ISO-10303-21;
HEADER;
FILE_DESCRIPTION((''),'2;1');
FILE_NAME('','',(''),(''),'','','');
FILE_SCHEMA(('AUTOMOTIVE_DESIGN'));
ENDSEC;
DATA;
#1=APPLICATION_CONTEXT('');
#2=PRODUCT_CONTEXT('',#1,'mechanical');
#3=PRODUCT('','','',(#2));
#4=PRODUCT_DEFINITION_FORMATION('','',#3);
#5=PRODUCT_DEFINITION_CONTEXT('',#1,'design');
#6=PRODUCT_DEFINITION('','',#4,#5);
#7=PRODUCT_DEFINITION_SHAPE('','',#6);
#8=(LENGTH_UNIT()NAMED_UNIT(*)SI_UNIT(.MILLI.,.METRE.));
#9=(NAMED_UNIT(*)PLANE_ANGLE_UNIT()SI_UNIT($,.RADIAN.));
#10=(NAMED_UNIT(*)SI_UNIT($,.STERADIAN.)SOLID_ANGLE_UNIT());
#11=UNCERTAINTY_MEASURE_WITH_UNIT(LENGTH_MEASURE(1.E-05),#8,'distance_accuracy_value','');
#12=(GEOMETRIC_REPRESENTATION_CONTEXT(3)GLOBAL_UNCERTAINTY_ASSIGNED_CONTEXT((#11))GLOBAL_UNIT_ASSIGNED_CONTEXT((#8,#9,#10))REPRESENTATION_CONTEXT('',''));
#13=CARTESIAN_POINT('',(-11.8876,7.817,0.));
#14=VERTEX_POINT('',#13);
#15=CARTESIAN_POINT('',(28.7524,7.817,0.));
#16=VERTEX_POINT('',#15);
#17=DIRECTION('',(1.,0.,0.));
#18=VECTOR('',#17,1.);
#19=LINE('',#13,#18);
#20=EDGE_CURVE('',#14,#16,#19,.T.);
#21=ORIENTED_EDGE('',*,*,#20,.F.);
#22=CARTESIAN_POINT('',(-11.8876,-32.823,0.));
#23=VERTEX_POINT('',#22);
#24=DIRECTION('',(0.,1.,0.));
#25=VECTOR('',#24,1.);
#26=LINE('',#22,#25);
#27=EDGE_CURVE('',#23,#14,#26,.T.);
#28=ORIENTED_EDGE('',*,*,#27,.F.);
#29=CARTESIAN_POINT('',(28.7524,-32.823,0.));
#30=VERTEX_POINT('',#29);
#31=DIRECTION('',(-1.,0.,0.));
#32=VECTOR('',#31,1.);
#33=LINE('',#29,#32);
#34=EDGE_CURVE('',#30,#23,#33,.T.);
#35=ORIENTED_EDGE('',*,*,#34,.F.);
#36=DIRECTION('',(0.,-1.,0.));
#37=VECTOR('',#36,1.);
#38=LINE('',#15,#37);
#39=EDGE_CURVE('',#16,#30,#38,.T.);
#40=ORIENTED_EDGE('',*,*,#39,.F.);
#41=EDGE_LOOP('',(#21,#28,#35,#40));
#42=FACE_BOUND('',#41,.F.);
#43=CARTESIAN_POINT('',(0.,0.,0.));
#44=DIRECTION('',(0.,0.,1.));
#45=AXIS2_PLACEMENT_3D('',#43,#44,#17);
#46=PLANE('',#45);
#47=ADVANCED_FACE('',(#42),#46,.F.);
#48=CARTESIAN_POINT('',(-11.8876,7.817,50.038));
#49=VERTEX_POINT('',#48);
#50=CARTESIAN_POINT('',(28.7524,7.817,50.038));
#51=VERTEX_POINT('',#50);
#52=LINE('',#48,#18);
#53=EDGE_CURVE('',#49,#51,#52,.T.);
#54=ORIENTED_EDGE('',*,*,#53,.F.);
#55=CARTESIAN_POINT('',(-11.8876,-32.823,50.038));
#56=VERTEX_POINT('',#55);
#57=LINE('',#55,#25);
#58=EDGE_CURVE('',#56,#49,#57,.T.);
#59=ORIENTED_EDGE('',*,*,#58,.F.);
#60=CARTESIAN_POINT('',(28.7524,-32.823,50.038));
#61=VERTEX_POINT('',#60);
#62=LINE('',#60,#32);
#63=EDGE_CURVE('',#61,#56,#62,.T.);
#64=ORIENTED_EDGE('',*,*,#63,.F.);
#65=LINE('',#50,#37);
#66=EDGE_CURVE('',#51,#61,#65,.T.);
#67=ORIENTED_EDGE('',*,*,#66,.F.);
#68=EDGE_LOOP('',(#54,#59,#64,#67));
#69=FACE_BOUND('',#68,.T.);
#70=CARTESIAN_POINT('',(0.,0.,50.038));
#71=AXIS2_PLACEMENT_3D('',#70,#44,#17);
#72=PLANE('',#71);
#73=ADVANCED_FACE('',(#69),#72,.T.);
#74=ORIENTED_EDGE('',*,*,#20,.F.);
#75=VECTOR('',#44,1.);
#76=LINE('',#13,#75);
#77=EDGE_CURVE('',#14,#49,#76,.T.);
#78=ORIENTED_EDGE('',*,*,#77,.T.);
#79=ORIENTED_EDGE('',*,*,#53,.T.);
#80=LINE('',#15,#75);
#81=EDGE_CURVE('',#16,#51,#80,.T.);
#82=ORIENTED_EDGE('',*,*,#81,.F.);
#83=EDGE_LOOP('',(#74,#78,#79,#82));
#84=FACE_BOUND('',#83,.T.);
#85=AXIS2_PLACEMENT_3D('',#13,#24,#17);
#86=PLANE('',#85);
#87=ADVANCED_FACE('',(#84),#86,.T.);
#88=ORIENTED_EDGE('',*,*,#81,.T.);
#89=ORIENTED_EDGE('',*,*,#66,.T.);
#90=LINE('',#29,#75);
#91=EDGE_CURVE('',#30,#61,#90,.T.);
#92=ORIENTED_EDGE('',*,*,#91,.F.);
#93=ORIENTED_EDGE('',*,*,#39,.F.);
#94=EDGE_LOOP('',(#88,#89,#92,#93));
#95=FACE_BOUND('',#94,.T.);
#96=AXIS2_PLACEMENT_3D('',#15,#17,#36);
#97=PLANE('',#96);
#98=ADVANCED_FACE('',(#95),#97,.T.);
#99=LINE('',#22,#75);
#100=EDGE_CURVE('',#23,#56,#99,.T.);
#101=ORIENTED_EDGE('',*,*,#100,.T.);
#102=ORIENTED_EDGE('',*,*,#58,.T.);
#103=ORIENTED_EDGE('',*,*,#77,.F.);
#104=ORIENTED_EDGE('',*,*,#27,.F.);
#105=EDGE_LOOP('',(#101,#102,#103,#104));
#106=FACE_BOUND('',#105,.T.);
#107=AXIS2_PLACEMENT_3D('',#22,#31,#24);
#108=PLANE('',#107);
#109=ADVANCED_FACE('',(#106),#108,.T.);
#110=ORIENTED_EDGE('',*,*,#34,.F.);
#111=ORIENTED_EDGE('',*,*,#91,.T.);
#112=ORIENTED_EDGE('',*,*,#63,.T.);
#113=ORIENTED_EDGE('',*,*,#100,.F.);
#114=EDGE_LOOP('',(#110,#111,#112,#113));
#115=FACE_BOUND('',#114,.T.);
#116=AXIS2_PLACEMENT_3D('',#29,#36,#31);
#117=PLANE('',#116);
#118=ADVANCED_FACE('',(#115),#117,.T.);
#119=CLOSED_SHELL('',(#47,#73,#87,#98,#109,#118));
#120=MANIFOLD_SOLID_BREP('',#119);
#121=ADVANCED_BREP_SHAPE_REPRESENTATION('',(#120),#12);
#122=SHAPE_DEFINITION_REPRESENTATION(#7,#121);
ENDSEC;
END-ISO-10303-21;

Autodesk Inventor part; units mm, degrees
ref_plane "YZ Plane" through (0, 0, 0) normal (1, 0, 0) x (0, 1, 0)
ref_plane "XZ Plane" through (0, 0, 0) normal (0, 1, 0) x (-1, 0, 0)
ref_plane "XY Plane" through (0, 0, 0) normal (0, 0, 1) x (1, 0, 0)
sketch "Sketch1" plane through (0, 0, 0) normal (0, 0, 1) x (1, 0, 0)
  line L0 (-11.8876, 7.817) -> (28.7524, 7.817)
  line L1 (28.7524, 7.817) -> (28.7524, -32.823)
  line L2 (28.7524, -32.823) -> (-11.8876, -32.823)
  line L3 (-11.8876, -32.823) -> (-11.8876, 7.817)
  point P0 (0, 0)
  dimension "d0" = 40.64
  dimension "d1" = 40.64
extrude "Extrusion1" add sketch "Sketch1" along normal blind 50.038
properties part number "HB25"
